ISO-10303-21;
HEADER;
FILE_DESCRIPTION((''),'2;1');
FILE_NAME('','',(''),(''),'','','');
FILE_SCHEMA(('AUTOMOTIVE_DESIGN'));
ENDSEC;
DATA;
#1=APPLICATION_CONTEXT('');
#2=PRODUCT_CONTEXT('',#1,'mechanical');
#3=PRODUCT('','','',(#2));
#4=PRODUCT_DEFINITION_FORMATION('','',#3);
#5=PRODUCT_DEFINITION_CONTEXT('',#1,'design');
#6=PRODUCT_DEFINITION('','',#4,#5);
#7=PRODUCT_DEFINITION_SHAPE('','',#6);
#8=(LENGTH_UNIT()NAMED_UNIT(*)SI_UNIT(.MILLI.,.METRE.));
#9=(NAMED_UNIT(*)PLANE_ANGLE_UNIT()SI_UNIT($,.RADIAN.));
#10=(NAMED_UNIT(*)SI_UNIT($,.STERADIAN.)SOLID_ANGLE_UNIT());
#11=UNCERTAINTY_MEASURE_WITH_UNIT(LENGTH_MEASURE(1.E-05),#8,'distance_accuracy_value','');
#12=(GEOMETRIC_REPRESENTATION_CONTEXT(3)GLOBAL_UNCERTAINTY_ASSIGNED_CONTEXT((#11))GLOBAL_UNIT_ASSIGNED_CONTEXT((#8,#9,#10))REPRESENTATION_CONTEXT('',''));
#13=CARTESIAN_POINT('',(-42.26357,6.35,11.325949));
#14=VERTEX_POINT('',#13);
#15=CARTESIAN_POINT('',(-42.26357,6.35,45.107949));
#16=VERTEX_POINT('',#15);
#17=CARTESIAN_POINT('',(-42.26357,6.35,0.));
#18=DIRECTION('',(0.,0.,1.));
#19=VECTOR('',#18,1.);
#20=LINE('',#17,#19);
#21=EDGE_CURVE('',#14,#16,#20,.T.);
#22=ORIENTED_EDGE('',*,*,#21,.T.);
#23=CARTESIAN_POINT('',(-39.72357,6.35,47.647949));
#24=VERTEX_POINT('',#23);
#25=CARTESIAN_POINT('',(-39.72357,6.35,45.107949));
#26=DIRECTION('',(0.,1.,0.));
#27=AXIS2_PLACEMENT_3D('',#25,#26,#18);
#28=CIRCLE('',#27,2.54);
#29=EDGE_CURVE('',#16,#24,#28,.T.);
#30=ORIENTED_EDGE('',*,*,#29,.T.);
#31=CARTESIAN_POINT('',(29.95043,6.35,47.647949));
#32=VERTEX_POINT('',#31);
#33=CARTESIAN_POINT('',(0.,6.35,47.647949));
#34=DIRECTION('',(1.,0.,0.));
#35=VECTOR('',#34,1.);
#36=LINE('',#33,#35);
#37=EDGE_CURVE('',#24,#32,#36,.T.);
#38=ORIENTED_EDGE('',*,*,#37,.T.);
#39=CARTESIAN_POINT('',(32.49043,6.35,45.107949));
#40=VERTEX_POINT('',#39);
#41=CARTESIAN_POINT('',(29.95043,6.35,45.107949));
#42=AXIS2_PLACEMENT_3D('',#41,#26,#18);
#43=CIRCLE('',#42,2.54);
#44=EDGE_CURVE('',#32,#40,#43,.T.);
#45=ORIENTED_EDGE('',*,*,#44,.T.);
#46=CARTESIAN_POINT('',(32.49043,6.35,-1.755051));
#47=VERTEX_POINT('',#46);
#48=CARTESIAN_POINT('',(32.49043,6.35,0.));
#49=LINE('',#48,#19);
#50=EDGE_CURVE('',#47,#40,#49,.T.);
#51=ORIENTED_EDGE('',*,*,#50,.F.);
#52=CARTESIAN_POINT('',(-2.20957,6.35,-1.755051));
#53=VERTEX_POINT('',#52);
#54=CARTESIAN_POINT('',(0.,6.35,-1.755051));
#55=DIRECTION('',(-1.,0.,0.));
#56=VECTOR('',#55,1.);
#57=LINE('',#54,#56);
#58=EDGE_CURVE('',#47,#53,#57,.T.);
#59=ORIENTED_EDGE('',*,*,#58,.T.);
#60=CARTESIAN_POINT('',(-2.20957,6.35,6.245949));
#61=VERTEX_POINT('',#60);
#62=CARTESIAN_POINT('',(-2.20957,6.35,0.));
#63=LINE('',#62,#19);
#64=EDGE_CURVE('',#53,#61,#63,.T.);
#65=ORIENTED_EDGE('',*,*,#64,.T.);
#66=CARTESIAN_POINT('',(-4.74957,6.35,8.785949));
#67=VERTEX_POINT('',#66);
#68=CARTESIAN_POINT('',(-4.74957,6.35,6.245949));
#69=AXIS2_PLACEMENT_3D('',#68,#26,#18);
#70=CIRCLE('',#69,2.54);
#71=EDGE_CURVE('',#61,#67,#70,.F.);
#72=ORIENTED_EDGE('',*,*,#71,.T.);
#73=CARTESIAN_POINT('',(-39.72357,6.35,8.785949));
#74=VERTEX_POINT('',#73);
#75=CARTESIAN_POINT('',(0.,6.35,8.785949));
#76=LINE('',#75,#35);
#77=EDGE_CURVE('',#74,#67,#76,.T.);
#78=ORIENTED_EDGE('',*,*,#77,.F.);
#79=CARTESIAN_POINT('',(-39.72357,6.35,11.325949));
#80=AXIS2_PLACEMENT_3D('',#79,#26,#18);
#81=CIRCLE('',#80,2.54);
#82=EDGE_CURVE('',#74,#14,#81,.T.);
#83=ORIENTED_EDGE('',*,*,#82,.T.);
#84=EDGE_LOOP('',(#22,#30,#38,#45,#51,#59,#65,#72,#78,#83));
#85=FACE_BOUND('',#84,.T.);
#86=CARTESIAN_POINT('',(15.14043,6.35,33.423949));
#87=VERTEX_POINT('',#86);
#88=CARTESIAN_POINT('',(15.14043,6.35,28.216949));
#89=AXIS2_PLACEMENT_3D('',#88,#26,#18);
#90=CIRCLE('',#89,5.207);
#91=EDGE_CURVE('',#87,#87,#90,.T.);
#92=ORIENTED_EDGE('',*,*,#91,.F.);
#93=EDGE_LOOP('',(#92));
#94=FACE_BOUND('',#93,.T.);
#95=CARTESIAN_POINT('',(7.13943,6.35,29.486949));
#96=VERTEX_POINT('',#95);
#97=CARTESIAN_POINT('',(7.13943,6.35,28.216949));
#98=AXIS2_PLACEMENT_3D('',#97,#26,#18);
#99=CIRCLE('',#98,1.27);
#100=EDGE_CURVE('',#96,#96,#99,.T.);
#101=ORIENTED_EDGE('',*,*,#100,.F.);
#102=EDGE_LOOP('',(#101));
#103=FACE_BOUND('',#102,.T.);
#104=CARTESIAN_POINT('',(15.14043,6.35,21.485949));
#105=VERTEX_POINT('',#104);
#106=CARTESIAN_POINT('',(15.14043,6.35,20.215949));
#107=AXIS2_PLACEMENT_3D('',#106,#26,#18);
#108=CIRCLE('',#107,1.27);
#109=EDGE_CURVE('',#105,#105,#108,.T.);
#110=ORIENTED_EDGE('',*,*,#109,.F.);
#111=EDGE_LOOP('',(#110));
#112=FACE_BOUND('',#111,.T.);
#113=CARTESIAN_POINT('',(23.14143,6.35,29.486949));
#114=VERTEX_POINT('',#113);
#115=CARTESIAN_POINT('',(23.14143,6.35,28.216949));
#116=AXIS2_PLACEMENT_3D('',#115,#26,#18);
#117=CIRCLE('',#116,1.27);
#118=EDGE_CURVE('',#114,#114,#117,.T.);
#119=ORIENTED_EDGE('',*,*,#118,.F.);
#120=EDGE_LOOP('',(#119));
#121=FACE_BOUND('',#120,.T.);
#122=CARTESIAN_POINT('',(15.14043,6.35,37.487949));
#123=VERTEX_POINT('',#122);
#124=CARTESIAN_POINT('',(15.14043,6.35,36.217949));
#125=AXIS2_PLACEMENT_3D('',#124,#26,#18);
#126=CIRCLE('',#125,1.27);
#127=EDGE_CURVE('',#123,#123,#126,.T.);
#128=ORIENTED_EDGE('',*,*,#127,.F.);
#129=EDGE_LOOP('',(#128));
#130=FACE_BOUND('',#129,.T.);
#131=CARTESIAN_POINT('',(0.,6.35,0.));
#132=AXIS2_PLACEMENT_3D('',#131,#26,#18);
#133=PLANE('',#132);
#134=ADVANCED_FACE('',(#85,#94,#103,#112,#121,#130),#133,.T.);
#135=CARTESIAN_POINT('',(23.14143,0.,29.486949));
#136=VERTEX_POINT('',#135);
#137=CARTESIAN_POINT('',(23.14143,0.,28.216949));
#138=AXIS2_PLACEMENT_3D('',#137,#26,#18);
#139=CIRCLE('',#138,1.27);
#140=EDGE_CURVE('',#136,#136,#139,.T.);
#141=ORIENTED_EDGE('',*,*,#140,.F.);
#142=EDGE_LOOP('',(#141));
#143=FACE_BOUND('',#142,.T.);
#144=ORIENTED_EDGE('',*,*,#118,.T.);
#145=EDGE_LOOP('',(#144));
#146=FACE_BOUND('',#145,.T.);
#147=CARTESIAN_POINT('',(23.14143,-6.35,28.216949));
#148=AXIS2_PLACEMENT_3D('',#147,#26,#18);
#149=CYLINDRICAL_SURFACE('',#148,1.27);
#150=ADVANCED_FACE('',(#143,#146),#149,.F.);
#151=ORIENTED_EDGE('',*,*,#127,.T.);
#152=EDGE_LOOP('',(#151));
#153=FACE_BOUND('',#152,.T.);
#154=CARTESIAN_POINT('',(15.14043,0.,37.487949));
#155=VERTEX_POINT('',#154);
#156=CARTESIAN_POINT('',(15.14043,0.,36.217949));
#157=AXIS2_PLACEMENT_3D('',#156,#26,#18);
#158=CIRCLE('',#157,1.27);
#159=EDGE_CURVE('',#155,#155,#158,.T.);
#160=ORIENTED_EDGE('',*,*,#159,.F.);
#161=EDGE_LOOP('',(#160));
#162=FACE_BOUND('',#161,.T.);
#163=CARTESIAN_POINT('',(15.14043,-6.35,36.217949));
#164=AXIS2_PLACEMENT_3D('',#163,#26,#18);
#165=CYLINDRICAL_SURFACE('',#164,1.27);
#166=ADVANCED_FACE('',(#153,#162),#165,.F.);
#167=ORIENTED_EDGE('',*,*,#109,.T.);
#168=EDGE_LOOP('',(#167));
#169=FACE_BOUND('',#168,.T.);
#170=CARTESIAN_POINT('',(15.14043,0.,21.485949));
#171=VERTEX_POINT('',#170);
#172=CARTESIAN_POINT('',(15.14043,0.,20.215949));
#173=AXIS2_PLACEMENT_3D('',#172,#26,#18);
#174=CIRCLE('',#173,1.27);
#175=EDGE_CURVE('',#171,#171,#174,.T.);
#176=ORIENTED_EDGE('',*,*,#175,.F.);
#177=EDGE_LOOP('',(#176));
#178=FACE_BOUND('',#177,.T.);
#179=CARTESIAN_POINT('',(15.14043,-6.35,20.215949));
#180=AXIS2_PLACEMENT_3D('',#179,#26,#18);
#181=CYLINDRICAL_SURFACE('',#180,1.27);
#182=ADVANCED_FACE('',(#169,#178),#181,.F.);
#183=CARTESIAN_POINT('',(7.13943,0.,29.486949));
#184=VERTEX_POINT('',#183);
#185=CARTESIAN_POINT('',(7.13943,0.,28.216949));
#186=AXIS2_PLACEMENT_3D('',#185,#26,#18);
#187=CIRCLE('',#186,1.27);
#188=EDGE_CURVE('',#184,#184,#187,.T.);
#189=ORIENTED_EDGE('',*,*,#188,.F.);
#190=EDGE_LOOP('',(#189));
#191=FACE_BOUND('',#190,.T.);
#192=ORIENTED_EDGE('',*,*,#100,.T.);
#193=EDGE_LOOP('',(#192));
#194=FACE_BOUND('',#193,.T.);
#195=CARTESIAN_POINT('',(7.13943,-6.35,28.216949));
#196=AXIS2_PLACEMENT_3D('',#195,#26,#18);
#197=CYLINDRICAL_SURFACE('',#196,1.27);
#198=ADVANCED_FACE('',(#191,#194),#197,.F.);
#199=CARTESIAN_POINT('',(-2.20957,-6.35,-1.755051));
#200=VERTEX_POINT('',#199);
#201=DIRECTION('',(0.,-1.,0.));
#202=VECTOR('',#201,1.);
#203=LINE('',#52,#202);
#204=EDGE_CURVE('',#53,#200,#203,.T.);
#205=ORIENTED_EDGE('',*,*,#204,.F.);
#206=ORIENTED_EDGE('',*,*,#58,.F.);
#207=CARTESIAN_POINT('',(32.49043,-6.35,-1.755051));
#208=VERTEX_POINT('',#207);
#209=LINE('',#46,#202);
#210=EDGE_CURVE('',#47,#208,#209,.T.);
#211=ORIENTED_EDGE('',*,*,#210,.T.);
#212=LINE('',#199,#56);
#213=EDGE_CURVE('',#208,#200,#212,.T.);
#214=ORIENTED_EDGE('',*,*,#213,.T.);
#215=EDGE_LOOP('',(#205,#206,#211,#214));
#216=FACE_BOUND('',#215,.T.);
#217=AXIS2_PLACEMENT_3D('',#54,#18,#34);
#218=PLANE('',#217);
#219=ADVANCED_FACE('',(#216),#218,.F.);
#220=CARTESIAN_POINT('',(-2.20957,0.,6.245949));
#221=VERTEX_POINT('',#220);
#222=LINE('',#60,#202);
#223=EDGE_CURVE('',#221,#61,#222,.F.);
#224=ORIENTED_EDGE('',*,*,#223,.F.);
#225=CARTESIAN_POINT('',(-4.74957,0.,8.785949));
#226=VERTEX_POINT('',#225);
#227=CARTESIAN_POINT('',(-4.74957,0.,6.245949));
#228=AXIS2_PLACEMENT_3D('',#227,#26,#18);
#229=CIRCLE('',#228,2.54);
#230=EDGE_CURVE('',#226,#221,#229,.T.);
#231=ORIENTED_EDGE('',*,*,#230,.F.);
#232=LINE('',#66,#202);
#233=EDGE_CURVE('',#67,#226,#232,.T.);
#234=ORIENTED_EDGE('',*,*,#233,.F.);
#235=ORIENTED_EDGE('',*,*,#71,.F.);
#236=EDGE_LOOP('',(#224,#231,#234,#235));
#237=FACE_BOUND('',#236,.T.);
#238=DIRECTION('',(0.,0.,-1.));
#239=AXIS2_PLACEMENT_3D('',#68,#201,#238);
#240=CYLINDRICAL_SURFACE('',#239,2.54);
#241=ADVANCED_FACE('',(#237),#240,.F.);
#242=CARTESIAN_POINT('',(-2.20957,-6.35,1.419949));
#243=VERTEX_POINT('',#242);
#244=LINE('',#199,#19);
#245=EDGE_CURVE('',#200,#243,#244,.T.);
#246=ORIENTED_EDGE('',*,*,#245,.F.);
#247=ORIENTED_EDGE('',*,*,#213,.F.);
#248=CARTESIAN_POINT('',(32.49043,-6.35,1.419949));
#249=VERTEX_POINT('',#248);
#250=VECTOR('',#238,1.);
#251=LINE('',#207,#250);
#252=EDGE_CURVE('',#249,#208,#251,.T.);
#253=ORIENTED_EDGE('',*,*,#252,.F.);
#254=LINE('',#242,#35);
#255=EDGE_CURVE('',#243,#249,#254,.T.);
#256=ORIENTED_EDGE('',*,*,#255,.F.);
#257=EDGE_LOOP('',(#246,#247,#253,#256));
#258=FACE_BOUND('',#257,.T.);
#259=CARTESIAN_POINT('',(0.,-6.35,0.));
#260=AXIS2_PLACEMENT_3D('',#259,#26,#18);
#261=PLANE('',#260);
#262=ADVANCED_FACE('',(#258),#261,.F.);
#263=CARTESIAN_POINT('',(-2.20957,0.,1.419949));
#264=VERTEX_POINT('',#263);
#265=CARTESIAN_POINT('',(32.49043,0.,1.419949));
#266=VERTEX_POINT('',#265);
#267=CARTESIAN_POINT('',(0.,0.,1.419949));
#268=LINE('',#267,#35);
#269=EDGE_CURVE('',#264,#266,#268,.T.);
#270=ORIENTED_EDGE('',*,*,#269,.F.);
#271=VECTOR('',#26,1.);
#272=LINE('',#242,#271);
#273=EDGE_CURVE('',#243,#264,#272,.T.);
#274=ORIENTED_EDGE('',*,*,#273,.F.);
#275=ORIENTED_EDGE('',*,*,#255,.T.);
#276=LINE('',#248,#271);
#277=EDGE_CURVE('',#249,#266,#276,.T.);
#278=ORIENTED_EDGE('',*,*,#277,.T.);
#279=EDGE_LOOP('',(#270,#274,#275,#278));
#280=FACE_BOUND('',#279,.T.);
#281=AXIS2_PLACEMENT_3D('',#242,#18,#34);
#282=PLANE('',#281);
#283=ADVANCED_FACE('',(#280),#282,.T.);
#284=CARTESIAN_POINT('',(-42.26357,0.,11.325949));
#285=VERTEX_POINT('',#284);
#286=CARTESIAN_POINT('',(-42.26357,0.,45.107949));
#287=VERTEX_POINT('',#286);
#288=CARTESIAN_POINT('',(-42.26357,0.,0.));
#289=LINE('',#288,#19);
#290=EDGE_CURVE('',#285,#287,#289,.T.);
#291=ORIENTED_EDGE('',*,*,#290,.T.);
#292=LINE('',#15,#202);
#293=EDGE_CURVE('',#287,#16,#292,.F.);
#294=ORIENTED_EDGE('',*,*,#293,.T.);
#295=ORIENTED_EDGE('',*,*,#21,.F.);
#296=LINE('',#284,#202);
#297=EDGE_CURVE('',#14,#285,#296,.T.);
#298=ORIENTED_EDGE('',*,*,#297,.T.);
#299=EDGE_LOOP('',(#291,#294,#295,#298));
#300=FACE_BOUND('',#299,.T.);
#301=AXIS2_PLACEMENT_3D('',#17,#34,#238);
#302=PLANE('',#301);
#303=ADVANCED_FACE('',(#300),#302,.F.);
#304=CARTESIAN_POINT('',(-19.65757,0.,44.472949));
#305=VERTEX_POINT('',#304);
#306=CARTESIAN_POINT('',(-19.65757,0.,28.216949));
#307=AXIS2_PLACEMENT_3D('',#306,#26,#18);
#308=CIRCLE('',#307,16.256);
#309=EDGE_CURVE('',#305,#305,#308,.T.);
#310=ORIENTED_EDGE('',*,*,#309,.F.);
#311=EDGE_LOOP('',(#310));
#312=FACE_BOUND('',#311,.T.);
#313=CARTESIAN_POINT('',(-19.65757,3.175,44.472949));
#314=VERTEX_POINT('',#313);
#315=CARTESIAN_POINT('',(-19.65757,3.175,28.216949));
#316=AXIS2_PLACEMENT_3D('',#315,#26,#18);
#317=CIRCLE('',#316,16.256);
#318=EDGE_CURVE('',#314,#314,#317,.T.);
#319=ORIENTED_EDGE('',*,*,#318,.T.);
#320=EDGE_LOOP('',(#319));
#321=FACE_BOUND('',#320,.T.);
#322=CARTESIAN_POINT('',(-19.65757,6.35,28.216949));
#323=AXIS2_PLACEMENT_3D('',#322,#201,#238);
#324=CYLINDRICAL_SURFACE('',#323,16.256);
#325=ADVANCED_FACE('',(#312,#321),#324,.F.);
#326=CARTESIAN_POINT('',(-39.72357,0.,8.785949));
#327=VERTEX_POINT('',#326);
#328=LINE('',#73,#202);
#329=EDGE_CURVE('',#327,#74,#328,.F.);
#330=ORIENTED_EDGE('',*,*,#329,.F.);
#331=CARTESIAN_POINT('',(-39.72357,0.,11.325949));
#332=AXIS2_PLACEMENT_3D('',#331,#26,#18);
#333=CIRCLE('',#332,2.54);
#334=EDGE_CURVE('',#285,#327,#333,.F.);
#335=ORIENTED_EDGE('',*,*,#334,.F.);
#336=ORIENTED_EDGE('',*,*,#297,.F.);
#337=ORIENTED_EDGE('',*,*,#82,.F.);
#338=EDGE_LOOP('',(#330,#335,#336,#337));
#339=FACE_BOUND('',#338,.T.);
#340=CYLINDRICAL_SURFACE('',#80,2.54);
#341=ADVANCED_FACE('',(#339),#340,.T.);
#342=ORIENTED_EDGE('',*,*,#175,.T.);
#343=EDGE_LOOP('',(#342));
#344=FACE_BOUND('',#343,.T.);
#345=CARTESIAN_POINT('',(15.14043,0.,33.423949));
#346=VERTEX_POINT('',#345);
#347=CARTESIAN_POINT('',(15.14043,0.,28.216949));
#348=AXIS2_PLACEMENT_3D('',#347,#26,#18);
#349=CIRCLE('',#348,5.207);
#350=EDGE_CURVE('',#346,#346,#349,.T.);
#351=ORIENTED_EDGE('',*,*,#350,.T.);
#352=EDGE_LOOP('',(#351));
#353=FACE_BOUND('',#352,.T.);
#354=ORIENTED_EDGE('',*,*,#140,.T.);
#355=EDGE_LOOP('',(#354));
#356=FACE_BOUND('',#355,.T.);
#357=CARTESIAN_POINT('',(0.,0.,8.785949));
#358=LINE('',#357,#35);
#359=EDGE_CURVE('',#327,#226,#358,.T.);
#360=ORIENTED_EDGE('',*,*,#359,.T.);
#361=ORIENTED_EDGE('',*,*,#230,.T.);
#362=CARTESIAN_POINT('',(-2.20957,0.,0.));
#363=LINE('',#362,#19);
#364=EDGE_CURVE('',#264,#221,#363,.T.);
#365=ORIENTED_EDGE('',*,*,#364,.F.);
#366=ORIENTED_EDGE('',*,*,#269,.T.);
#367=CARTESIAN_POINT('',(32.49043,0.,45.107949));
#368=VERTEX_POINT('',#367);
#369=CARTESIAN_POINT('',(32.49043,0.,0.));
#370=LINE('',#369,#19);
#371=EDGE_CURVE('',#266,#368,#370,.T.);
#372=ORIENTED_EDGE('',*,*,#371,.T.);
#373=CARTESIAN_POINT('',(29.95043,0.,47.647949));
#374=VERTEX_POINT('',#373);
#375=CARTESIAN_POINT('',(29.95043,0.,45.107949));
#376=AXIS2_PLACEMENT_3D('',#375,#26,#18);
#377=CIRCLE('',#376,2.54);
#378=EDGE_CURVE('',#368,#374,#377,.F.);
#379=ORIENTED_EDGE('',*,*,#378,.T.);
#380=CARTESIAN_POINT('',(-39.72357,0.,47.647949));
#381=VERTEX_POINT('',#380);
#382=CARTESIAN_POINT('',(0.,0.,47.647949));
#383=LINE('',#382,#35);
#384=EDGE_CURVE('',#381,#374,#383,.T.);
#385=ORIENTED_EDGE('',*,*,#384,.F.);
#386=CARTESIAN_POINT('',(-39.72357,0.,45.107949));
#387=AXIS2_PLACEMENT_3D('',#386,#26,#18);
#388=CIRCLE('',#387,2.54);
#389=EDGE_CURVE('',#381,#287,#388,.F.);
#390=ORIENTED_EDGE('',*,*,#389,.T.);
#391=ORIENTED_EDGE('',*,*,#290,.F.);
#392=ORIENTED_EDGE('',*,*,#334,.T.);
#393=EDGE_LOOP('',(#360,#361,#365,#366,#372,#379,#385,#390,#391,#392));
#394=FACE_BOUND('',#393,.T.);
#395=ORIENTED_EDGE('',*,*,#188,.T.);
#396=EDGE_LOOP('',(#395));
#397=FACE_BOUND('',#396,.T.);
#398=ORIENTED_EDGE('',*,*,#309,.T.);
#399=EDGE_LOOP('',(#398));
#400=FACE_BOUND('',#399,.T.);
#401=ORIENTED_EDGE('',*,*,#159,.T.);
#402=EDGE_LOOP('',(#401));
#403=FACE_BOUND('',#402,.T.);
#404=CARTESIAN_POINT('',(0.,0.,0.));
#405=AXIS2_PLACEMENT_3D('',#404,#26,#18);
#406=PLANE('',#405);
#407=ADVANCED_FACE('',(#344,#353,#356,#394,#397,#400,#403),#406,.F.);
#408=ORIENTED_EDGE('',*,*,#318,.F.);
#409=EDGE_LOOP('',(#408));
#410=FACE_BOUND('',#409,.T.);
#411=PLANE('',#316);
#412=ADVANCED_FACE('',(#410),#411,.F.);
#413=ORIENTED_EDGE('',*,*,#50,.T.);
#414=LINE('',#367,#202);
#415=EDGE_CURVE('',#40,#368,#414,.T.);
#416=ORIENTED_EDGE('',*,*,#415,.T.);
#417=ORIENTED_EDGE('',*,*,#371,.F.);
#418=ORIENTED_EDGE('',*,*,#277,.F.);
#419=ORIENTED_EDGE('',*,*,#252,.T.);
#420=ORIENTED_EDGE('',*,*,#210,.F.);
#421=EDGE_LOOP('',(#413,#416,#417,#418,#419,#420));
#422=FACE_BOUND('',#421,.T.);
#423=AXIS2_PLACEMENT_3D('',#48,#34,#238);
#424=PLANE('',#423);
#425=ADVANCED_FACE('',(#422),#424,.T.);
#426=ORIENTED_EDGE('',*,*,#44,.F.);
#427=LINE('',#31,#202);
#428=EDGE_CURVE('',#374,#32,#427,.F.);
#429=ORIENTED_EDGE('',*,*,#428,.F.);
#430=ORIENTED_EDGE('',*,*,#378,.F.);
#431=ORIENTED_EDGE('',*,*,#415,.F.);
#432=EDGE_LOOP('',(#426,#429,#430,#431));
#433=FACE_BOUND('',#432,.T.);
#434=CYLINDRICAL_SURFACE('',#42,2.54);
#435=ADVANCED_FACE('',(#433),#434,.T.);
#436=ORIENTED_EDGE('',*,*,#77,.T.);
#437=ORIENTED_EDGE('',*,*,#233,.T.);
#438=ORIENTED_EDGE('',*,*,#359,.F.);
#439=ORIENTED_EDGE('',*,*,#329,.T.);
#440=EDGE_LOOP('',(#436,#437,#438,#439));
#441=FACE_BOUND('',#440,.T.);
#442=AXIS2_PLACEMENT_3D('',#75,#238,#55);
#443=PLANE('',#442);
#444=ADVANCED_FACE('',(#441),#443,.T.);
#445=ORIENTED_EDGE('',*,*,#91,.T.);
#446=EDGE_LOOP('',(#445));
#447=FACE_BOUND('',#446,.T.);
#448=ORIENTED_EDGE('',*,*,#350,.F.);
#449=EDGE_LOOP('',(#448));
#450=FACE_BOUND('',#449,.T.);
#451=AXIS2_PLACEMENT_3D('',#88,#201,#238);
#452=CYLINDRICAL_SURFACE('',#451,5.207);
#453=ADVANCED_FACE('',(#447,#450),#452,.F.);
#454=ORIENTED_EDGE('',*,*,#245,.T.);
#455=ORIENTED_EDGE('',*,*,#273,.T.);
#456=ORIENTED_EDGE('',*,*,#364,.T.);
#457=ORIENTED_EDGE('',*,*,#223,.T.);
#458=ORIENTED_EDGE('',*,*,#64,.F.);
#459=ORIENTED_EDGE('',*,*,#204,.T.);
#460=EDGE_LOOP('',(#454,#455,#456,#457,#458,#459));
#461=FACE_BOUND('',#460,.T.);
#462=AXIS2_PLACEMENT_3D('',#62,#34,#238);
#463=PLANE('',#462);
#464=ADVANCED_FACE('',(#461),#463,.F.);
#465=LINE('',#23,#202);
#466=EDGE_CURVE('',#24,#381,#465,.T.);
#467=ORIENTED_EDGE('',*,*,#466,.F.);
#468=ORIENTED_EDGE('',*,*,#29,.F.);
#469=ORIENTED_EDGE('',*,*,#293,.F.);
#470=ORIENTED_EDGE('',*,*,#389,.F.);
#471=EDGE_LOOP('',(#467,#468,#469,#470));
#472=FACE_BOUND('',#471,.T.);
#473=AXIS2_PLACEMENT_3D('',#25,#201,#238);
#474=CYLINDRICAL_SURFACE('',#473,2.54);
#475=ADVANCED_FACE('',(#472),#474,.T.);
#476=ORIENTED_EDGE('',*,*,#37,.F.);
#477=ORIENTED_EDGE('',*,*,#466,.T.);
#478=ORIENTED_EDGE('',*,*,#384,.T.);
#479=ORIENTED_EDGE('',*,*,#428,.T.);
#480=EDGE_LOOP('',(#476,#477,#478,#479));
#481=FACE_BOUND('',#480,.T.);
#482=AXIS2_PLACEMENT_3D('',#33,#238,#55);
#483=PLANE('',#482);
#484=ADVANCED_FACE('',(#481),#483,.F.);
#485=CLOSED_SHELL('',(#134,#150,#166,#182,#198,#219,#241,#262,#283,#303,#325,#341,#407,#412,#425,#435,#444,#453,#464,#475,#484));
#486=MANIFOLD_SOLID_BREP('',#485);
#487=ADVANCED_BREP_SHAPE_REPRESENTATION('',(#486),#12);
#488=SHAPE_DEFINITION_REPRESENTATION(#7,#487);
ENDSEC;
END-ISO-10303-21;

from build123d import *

# Parameters (mm, degrees)
SKETCH1_W           = 74.754
SKETCH1_H           = 38.862
SKETCH1_R           = 5.207
SKETCH1_R_2         = 16.256
SKETCH1_W_2         = 34.7
SKETCH1_H_2         = 10.541
BOSS_EXTRUDE1_DEPTH = 6.35
BOSS_EXTRUDE2_START = -3.175
SKETCH2_R           = 16.256
BOSS_EXTRUDE2_DEPTH = 3.175
SKETCH3_W           = 34.7
SKETCH3_H           = 3.175
BOSS_EXTRUDE3_DEPTH = 12.7
FILLET1_R           = 2.54
SKETCH4_R           = 1.27
CUT_EXTRUDE1_DEPTH  = 65.944794531


with BuildPart() as part:
    # Sketch1 → Boss-Extrude1 (new body)
    # profile 1 of 2: a face of its own
    with BuildSketch(Plane(origin=(0, 0, 0), x_dir=(1, 0, 0), z_dir=(0, 1, 0))):
        with Locations((-4.886569512, -28.216948841)):
            Rectangle(SKETCH1_W, SKETCH1_H)
        with Locations(Location((15.140430488, -28.216948841, 0), (0, 0, 270))):
            Circle(SKETCH1_R, mode=Mode.SUBTRACT)
        with Locations(Location((-19.657569512, -28.216948841, 0), (0, 0, 270))):
            Circle(SKETCH1_R_2, mode=Mode.SUBTRACT)
    # profile 2 of 2: a face of its own
    with BuildSketch(Plane(origin=(0, 0, 0), x_dir=(1, 0, 0), z_dir=(0, 1, 0))):
        with Locations((15.140430488, -3.515448841)):
            Rectangle(SKETCH1_W_2, SKETCH1_H_2)
    extrude(amount=BOSS_EXTRUDE1_DEPTH)

    # Sketch2 → Boss-Extrude2 (add)
    with BuildSketch(Plane(origin=(0, 6.35, 0), x_dir=(1, 0, 0), z_dir=(0, 1, 0)).offset(BOSS_EXTRUDE2_START)):
        with Locations(Location((-19.657569512, -28.216948841, 0), (0, 0, 270))):
            Circle(SKETCH2_R)
    extrude(amount=BOSS_EXTRUDE2_DEPTH)

    # Sketch3 → Boss-Extrude3 (add)
    with BuildSketch(Plane(origin=(0, 6.35, 0), x_dir=(1, 0, 0), z_dir=(0, 1, 0))):
        with Locations((15.140430488, 0.167551159)):
            Rectangle(SKETCH3_W, SKETCH3_H)
    extrude(amount=-BOSS_EXTRUDE3_DEPTH)

    # Fillet1
    fillet1_edges = [part.edges().sort_by_distance(p)[0] for p in [
        (32.490430488, 3.175, 47.647948841),
        (-42.263569512, 3.175, 47.647948841),
        (-42.263569512, 3.175, 8.785948841),
        (-2.209569512, 3.175, 8.785948841),
    ]]
    fillet(fillet1_edges, radius=FILLET1_R)

    # Sketch4 → Cut-Extrude1 (cut, through all)
    with BuildSketch(Plane(origin=(0, 6.35, 0), x_dir=(1, 0, 0), z_dir=(0, 1, 0))):
        with Locations(Location((15.140430488, -20.215948841, 0), (0, 0, 270))):
            Circle(SKETCH4_R)
        with Locations(Location((23.141430488, -28.216948841, 0), (0, 0, 270))):
            Circle(SKETCH4_R)
        with Locations(Location((15.140430488, -36.217948841, 0), (0, 0, 270))):
            Circle(SKETCH4_R)
        with Locations(Location((7.139430488, -28.216948841, 0), (0, 0, 270))):
            Circle(SKETCH4_R)
    extrude(amount=-CUT_EXTRUDE1_DEPTH, mode=Mode.SUBTRACT)


solid = part.part
